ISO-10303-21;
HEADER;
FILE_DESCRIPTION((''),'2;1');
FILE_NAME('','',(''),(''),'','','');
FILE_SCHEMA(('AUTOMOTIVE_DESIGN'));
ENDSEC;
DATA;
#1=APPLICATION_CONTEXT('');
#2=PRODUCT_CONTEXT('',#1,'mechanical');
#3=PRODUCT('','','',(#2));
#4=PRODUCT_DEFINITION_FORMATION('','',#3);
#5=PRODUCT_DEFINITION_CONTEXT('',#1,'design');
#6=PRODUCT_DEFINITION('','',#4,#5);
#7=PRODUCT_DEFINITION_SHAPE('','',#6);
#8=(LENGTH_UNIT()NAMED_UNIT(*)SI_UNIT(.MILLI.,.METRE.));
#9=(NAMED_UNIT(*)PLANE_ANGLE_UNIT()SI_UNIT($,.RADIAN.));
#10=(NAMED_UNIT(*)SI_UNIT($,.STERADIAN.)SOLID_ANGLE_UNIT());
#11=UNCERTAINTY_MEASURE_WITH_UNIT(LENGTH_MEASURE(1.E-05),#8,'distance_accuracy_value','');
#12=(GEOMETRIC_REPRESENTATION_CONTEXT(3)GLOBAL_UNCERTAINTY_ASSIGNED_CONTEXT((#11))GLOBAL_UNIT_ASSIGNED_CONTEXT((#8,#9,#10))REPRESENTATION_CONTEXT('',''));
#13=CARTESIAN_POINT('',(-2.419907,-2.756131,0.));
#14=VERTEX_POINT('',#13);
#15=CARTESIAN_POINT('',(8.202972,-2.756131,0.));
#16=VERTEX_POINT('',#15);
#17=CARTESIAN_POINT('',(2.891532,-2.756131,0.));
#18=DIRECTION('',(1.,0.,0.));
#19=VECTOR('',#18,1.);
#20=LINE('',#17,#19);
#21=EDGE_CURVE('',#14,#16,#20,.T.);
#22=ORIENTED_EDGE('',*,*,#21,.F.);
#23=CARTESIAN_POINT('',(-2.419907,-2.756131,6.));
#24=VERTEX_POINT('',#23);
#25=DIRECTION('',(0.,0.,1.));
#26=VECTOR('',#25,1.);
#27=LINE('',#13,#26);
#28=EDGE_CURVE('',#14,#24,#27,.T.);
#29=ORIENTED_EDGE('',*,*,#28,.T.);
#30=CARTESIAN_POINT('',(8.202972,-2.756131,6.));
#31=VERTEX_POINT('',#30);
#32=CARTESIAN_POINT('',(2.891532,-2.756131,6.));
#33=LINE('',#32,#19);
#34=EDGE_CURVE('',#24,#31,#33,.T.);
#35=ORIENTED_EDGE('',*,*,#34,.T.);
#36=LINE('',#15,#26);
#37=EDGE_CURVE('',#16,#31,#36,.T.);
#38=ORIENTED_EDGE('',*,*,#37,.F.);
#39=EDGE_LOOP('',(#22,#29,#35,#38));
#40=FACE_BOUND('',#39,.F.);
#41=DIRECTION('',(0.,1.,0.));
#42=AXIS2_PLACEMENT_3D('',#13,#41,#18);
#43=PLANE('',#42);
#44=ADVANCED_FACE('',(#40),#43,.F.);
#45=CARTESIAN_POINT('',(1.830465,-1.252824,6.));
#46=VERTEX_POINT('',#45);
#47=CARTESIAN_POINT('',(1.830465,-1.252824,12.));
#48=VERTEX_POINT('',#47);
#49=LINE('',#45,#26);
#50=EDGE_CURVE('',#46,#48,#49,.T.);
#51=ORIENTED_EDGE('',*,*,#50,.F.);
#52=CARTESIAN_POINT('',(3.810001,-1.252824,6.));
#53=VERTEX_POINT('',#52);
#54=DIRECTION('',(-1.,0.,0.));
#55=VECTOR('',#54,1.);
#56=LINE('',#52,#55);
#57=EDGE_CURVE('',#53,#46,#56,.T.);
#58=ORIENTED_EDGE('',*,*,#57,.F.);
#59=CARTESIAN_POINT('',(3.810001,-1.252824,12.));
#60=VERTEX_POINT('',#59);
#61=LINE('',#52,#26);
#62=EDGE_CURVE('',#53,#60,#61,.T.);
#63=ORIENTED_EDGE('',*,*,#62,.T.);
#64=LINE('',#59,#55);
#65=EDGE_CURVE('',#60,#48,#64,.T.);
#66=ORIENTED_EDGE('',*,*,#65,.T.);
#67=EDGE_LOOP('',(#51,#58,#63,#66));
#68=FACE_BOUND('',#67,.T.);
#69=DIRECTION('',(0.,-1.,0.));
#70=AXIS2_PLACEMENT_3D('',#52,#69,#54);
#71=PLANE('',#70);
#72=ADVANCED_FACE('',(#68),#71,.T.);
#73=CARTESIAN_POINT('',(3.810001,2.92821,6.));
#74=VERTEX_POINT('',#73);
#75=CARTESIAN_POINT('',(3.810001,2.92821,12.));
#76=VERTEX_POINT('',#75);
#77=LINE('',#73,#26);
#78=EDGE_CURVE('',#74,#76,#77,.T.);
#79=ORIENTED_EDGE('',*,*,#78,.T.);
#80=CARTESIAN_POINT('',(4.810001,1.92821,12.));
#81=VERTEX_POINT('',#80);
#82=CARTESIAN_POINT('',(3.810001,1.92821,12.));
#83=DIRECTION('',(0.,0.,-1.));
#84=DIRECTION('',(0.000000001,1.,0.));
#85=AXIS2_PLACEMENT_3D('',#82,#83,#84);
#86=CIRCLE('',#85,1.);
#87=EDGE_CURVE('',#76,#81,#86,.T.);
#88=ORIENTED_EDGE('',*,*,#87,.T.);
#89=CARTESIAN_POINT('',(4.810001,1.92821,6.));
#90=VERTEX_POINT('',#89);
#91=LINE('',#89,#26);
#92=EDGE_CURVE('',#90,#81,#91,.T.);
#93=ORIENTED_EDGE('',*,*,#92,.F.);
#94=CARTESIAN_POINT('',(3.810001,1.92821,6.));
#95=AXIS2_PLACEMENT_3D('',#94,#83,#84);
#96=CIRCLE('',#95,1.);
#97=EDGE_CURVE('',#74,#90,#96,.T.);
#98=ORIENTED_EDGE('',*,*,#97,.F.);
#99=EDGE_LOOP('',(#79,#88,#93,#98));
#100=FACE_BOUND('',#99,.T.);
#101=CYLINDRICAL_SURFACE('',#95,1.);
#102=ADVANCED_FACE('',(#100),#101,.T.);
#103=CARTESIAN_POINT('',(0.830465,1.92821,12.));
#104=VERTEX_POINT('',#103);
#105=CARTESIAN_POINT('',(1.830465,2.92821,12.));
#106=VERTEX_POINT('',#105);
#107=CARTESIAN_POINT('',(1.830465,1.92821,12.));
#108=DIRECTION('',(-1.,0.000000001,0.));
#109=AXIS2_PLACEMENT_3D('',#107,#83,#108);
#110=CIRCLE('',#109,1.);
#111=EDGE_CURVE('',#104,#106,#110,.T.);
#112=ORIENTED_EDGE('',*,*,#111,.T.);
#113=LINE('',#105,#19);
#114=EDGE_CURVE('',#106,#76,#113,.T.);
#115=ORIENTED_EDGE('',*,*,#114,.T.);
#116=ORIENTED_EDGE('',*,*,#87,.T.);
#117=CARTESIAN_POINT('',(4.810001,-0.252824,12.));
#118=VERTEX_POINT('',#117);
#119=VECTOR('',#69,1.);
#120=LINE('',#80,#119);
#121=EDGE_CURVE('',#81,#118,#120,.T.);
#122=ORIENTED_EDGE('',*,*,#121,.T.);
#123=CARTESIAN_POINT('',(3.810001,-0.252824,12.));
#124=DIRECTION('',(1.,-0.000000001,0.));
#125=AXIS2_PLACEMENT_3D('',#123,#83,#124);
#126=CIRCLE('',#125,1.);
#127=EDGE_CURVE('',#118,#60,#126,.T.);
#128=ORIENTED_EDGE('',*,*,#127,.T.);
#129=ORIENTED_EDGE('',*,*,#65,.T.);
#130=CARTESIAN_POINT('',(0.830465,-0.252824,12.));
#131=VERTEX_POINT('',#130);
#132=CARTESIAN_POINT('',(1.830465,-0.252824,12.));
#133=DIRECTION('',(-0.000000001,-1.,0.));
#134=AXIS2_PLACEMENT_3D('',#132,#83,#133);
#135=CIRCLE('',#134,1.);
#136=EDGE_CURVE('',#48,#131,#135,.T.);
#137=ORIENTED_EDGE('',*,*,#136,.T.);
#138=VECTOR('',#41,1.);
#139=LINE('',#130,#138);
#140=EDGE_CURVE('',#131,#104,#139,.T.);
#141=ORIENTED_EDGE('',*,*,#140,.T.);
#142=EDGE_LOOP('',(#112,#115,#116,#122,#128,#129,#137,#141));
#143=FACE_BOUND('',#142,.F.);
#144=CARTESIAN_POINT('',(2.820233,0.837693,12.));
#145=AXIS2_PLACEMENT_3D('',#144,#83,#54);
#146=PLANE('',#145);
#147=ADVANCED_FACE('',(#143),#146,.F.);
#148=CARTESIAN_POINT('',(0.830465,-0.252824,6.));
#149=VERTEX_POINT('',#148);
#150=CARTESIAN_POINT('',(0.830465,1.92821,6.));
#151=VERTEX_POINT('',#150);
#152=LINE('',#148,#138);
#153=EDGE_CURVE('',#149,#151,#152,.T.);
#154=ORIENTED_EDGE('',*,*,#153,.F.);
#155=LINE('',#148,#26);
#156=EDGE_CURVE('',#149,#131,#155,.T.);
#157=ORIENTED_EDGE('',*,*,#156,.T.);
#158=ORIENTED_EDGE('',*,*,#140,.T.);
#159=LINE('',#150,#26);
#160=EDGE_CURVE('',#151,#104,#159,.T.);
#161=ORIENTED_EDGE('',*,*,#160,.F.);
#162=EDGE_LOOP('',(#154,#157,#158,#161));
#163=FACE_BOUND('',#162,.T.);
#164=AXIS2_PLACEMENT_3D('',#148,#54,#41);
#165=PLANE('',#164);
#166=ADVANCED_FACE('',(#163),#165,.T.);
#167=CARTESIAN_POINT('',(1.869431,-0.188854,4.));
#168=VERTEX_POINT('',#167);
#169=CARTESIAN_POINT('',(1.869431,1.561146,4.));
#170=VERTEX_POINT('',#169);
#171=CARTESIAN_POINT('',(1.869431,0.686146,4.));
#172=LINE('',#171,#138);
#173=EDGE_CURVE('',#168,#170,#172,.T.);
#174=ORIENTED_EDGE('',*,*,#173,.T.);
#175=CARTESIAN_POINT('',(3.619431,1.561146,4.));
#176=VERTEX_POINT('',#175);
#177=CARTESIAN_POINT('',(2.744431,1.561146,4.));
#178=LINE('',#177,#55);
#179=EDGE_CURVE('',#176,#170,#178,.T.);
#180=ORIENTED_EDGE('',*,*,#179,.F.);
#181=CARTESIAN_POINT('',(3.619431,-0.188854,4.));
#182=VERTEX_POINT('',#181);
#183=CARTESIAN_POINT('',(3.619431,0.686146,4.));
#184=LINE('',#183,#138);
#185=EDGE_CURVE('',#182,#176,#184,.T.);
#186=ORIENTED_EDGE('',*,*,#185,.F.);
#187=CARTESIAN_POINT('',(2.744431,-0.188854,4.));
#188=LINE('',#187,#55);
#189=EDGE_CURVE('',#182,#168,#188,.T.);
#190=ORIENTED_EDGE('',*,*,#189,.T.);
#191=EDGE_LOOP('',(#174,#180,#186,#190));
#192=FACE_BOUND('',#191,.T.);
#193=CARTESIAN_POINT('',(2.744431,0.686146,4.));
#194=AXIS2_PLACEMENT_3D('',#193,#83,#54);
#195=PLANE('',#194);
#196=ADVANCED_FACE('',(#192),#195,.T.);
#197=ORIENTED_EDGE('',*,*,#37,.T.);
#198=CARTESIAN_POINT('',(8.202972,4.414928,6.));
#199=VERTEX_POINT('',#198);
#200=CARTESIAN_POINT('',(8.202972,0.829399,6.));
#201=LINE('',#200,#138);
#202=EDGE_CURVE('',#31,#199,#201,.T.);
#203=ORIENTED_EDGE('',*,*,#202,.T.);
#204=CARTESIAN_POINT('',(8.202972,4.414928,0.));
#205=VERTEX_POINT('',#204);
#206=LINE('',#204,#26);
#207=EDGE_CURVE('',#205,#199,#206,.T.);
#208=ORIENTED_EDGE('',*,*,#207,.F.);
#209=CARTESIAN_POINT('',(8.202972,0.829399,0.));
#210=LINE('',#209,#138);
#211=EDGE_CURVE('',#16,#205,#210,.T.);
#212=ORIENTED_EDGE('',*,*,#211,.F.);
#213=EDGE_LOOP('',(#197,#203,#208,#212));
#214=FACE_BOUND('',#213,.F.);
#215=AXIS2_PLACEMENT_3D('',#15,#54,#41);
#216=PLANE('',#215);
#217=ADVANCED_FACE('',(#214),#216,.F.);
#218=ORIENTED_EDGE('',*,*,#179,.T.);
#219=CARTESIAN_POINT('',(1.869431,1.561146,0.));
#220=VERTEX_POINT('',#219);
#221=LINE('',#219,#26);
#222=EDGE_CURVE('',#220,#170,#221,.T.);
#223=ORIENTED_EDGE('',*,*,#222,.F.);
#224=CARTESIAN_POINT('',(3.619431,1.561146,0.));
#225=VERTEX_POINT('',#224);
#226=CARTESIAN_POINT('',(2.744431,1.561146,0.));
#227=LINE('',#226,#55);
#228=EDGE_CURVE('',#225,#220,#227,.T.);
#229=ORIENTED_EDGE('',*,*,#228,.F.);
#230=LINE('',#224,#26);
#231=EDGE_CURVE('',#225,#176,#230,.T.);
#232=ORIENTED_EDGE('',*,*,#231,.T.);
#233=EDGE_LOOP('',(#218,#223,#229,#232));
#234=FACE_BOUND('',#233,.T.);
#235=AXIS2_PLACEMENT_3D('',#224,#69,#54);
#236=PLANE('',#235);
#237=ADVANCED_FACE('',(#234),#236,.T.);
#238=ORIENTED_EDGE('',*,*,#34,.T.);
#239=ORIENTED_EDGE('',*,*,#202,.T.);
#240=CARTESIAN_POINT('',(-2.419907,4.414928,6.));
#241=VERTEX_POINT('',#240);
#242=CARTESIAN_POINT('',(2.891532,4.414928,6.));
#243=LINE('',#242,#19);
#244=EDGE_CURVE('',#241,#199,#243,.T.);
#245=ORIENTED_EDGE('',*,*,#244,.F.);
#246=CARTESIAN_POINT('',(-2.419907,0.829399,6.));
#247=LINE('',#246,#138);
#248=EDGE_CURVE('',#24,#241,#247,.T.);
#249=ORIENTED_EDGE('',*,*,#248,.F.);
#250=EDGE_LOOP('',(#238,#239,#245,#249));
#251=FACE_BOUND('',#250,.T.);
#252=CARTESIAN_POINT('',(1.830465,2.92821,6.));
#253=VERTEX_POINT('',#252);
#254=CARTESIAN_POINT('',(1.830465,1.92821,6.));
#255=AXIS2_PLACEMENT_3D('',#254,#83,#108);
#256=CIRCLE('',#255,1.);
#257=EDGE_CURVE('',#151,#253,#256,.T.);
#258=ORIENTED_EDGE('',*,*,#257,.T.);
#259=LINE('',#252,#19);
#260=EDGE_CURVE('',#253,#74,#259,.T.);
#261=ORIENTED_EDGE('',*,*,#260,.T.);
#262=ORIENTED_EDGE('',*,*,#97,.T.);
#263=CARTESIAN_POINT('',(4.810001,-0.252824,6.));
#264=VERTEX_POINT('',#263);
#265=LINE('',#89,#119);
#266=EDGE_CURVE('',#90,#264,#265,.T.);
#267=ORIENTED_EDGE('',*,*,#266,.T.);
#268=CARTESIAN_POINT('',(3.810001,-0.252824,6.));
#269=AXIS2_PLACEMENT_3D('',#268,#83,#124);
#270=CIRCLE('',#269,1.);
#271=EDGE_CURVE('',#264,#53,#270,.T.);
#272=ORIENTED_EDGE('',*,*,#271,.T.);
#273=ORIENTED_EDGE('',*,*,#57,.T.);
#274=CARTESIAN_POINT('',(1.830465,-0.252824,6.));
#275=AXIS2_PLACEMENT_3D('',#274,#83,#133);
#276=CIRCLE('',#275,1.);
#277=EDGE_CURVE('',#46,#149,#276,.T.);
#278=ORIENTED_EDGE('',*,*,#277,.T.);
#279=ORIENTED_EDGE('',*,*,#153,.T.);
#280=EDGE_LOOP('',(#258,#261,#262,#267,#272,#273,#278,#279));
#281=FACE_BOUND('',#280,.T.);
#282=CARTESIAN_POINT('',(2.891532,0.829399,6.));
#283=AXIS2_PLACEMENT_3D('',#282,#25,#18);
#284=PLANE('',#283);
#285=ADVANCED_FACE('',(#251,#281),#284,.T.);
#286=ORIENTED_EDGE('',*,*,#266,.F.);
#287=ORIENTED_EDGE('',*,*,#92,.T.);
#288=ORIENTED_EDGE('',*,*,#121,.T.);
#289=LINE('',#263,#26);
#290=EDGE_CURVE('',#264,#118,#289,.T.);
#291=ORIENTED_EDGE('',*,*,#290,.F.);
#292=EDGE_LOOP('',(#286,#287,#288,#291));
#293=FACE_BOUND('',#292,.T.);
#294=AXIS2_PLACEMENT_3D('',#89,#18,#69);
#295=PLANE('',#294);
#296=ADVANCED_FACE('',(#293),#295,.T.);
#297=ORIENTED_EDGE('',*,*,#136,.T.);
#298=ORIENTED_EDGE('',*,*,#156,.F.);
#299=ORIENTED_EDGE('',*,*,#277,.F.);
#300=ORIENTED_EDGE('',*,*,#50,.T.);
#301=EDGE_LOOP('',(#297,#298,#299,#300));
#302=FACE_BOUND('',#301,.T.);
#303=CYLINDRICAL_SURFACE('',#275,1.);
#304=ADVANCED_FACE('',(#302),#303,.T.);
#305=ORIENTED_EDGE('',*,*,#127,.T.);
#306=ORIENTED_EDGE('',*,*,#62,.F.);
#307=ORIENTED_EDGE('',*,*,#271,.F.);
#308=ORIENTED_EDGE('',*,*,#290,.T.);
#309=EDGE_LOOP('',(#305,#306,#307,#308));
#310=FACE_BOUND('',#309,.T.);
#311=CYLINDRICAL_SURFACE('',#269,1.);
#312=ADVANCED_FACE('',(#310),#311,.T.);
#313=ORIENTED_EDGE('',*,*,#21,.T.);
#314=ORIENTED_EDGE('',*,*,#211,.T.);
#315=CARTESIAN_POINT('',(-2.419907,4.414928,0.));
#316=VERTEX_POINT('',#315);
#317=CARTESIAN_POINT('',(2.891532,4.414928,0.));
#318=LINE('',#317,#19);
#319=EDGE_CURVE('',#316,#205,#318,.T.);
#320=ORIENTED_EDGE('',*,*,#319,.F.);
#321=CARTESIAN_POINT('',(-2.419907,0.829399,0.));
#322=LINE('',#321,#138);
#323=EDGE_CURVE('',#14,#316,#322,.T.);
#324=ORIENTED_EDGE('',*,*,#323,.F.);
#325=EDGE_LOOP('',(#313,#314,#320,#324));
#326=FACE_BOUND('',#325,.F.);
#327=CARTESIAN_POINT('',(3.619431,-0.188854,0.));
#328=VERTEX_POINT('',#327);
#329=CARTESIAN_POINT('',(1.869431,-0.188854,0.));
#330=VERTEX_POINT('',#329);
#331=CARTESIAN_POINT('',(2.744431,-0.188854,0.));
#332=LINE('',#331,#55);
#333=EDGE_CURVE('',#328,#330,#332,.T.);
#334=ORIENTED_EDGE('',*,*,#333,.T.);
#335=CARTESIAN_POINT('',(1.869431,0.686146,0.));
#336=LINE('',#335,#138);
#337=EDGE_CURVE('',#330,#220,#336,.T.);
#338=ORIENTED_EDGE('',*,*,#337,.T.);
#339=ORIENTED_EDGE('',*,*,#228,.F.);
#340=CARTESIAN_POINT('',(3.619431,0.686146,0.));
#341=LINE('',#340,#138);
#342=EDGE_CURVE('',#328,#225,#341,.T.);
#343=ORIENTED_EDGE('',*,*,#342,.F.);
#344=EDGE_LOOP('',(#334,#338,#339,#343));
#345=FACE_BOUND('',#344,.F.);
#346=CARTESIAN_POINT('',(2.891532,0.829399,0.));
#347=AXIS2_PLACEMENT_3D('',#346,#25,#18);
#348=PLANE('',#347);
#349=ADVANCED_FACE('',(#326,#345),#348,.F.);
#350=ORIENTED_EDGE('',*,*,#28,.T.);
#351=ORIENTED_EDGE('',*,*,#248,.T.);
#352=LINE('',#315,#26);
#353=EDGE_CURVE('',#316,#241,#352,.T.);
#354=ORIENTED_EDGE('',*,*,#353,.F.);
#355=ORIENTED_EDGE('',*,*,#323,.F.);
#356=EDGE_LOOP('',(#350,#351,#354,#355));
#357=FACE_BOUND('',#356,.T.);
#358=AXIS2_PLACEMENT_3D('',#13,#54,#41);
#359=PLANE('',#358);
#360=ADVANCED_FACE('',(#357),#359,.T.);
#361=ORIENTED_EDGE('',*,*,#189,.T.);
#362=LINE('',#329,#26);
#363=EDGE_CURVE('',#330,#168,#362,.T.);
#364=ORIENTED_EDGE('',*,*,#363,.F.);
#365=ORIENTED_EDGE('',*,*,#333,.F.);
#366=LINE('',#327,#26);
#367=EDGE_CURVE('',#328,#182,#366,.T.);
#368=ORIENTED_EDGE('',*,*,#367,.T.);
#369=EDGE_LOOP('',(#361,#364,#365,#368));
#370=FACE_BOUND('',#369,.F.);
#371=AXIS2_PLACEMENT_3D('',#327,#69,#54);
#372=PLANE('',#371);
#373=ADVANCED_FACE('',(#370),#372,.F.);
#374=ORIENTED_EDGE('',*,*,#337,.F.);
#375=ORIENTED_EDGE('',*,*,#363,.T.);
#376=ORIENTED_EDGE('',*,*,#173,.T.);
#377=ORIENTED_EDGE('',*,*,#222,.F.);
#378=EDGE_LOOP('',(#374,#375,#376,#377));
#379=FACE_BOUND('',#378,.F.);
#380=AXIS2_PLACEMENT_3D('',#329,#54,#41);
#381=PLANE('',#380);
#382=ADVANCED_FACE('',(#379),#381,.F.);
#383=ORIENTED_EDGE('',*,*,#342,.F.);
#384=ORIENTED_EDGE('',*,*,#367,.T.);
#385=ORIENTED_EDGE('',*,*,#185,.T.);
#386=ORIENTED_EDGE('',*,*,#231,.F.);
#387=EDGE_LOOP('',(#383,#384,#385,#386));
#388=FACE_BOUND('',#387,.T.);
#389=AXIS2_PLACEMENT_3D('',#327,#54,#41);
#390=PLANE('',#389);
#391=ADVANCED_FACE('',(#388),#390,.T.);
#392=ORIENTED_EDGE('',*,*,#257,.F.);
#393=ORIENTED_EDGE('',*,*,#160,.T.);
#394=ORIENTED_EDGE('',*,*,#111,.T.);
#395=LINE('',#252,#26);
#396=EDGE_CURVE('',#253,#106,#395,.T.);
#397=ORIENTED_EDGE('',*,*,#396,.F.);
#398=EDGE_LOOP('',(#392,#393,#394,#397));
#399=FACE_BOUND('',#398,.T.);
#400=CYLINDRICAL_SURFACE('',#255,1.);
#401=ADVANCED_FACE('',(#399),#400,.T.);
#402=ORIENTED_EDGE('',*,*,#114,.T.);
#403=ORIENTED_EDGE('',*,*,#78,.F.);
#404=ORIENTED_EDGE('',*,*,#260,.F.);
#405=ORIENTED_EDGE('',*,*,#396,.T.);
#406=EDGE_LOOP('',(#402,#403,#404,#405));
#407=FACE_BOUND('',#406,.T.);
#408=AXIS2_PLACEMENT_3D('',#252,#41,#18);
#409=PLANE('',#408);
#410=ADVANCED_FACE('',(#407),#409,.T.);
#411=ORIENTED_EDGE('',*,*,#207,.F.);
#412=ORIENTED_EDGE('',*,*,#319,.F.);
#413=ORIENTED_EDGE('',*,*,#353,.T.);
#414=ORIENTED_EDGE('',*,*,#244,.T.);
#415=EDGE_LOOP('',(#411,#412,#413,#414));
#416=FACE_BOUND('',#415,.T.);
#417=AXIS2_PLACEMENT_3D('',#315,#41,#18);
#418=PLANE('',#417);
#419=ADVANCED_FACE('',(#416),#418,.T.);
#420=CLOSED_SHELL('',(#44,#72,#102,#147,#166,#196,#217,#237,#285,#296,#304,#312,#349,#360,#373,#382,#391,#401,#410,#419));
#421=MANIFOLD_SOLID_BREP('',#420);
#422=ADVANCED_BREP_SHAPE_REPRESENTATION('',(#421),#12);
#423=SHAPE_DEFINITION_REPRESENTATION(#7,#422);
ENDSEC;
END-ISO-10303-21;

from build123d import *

# Parameters (mm, degrees)
SKETCH_1_W          = 10.622879294
SKETCH_1_H          = 7.171059062
EXTRUDE_1_DEPTH     = 6
EXTRUDE_2_DEPTH     = 6
SKETCH_3_W          = 1.75
SKETCH_3_H          = 1.75
CUT_EXTRUDE_1_DEPTH = 4


with BuildPart() as part:
    # 草图1 → 凸台-拉伸1 (new body)
    with BuildSketch(Plane.XY):
        with Locations((2.891532243, 0.829398912)):
            Rectangle(SKETCH_1_W, SKETCH_1_H)
    extrude(amount=EXTRUDE_1_DEPTH)

    # 草图2 → 凸台-拉伸2 (add)
    with BuildSketch(Plane.XY.offset(6)):
        with BuildLine():
            Line((1.830465057, 2.928210333), (3.810000549, 2.928210333))
            ThreePointArc((3.810000549, 2.928210333), (4.51710733, 2.635317114), (4.810000549, 1.928210333))
            Line((4.810000549, 1.928210333), (4.810000549, -0.252824237))
            ThreePointArc((4.810000549, -0.252824237), (4.51710733, -0.959931018), (3.810000549, -1.252824237))
            Line((3.810000549, -1.252824237), (1.830465057, -1.252824237))
            ThreePointArc((1.830465057, -1.252824237), (1.123358276, -0.959931018), (0.830465057, -0.252824237))
            Line((0.830465057, -0.252824237), (0.830465057, 1.928210333))
            ThreePointArc((0.830465057, 1.928210333), (1.123358276, 2.635317114), (1.830465057, 2.928210333))
        make_face()
    extrude(amount=EXTRUDE_2_DEPTH)

    # 草图3 → 切除-拉伸1 (cut)
    with BuildSketch(Plane(origin=(0, 0, 0), x_dir=(-1, 0, 0), z_dir=(0, 0, -1))):
        with Locations((-2.744430707, 0.686146252)):
            Rectangle(SKETCH_3_W, SKETCH_3_H)
    extrude(amount=-CUT_EXTRUDE_1_DEPTH, mode=Mode.SUBTRACT)


solid = part.part
